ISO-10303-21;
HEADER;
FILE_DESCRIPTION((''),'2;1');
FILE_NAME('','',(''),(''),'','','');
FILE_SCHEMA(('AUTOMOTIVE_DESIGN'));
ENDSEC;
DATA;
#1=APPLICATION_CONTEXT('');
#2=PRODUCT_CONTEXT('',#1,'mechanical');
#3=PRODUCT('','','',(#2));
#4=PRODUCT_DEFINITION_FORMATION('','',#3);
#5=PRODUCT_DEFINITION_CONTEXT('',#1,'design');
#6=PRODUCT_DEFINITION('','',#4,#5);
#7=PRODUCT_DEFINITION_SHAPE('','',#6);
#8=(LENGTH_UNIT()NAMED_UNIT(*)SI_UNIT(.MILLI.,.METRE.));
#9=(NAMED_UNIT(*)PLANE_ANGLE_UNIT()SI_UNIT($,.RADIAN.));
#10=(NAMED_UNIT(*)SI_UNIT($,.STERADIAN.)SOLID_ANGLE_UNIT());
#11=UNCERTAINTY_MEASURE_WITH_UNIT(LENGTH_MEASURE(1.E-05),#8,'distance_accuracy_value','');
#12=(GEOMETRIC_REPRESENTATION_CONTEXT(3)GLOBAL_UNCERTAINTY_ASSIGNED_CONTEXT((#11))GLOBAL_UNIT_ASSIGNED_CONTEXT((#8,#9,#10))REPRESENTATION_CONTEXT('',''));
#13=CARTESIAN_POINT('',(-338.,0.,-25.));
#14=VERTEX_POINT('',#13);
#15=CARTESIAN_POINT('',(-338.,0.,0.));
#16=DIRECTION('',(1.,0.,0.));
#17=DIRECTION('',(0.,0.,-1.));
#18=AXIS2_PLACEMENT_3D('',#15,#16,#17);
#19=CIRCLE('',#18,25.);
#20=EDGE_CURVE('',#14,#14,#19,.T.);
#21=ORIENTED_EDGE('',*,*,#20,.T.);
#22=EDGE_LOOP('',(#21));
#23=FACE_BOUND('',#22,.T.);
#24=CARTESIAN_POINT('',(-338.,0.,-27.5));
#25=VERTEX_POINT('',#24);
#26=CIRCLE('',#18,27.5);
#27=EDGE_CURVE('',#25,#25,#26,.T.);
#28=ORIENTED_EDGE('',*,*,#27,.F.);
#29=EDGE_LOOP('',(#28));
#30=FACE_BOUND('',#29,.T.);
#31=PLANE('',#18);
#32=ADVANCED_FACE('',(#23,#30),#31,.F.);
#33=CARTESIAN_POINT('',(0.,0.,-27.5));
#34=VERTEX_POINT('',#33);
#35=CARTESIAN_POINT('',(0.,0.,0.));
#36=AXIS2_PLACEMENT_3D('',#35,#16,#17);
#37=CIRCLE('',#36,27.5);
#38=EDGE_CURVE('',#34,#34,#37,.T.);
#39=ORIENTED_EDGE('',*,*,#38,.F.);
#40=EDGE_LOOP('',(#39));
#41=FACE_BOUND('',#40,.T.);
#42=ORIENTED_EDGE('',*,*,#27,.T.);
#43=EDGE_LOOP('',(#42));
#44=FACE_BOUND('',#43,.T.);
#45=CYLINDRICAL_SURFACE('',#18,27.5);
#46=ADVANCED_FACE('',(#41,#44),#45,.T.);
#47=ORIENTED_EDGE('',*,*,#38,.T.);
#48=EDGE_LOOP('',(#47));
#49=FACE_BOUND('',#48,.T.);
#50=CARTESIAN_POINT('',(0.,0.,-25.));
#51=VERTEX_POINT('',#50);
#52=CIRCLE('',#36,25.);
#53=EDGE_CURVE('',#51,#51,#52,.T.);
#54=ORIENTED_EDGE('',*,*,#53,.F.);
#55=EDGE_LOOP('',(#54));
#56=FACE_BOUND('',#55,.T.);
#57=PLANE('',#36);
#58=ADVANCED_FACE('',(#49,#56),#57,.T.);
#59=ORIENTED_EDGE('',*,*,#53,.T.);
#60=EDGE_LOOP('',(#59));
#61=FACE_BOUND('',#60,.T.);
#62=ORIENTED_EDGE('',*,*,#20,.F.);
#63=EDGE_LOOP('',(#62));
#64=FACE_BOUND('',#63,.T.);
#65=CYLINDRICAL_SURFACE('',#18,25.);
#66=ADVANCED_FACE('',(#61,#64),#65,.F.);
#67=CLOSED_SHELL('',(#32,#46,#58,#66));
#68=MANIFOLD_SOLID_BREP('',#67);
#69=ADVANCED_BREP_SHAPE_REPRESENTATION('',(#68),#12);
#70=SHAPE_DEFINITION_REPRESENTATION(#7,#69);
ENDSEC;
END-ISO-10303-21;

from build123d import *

# Parameters (mm, degrees)
SZKIC1_R                    = 27.5
SZKIC1_R_2                  = 25
DODANIE_WYCI_GNI_CIE1_DEPTH = 338


with BuildPart() as part:
    # Szkic1 → Dodanie-wyciągnięcie1 (new body)
    with BuildSketch(Plane(origin=(0, 0, 0), x_dir=(0, 0, -1), z_dir=(1, 0, 0))):
        Circle(SZKIC1_R)
        Circle(SZKIC1_R_2, mode=Mode.SUBTRACT)
    extrude(amount=-DODANIE_WYCI_GNI_CIE1_DEPTH)


solid = part.part
